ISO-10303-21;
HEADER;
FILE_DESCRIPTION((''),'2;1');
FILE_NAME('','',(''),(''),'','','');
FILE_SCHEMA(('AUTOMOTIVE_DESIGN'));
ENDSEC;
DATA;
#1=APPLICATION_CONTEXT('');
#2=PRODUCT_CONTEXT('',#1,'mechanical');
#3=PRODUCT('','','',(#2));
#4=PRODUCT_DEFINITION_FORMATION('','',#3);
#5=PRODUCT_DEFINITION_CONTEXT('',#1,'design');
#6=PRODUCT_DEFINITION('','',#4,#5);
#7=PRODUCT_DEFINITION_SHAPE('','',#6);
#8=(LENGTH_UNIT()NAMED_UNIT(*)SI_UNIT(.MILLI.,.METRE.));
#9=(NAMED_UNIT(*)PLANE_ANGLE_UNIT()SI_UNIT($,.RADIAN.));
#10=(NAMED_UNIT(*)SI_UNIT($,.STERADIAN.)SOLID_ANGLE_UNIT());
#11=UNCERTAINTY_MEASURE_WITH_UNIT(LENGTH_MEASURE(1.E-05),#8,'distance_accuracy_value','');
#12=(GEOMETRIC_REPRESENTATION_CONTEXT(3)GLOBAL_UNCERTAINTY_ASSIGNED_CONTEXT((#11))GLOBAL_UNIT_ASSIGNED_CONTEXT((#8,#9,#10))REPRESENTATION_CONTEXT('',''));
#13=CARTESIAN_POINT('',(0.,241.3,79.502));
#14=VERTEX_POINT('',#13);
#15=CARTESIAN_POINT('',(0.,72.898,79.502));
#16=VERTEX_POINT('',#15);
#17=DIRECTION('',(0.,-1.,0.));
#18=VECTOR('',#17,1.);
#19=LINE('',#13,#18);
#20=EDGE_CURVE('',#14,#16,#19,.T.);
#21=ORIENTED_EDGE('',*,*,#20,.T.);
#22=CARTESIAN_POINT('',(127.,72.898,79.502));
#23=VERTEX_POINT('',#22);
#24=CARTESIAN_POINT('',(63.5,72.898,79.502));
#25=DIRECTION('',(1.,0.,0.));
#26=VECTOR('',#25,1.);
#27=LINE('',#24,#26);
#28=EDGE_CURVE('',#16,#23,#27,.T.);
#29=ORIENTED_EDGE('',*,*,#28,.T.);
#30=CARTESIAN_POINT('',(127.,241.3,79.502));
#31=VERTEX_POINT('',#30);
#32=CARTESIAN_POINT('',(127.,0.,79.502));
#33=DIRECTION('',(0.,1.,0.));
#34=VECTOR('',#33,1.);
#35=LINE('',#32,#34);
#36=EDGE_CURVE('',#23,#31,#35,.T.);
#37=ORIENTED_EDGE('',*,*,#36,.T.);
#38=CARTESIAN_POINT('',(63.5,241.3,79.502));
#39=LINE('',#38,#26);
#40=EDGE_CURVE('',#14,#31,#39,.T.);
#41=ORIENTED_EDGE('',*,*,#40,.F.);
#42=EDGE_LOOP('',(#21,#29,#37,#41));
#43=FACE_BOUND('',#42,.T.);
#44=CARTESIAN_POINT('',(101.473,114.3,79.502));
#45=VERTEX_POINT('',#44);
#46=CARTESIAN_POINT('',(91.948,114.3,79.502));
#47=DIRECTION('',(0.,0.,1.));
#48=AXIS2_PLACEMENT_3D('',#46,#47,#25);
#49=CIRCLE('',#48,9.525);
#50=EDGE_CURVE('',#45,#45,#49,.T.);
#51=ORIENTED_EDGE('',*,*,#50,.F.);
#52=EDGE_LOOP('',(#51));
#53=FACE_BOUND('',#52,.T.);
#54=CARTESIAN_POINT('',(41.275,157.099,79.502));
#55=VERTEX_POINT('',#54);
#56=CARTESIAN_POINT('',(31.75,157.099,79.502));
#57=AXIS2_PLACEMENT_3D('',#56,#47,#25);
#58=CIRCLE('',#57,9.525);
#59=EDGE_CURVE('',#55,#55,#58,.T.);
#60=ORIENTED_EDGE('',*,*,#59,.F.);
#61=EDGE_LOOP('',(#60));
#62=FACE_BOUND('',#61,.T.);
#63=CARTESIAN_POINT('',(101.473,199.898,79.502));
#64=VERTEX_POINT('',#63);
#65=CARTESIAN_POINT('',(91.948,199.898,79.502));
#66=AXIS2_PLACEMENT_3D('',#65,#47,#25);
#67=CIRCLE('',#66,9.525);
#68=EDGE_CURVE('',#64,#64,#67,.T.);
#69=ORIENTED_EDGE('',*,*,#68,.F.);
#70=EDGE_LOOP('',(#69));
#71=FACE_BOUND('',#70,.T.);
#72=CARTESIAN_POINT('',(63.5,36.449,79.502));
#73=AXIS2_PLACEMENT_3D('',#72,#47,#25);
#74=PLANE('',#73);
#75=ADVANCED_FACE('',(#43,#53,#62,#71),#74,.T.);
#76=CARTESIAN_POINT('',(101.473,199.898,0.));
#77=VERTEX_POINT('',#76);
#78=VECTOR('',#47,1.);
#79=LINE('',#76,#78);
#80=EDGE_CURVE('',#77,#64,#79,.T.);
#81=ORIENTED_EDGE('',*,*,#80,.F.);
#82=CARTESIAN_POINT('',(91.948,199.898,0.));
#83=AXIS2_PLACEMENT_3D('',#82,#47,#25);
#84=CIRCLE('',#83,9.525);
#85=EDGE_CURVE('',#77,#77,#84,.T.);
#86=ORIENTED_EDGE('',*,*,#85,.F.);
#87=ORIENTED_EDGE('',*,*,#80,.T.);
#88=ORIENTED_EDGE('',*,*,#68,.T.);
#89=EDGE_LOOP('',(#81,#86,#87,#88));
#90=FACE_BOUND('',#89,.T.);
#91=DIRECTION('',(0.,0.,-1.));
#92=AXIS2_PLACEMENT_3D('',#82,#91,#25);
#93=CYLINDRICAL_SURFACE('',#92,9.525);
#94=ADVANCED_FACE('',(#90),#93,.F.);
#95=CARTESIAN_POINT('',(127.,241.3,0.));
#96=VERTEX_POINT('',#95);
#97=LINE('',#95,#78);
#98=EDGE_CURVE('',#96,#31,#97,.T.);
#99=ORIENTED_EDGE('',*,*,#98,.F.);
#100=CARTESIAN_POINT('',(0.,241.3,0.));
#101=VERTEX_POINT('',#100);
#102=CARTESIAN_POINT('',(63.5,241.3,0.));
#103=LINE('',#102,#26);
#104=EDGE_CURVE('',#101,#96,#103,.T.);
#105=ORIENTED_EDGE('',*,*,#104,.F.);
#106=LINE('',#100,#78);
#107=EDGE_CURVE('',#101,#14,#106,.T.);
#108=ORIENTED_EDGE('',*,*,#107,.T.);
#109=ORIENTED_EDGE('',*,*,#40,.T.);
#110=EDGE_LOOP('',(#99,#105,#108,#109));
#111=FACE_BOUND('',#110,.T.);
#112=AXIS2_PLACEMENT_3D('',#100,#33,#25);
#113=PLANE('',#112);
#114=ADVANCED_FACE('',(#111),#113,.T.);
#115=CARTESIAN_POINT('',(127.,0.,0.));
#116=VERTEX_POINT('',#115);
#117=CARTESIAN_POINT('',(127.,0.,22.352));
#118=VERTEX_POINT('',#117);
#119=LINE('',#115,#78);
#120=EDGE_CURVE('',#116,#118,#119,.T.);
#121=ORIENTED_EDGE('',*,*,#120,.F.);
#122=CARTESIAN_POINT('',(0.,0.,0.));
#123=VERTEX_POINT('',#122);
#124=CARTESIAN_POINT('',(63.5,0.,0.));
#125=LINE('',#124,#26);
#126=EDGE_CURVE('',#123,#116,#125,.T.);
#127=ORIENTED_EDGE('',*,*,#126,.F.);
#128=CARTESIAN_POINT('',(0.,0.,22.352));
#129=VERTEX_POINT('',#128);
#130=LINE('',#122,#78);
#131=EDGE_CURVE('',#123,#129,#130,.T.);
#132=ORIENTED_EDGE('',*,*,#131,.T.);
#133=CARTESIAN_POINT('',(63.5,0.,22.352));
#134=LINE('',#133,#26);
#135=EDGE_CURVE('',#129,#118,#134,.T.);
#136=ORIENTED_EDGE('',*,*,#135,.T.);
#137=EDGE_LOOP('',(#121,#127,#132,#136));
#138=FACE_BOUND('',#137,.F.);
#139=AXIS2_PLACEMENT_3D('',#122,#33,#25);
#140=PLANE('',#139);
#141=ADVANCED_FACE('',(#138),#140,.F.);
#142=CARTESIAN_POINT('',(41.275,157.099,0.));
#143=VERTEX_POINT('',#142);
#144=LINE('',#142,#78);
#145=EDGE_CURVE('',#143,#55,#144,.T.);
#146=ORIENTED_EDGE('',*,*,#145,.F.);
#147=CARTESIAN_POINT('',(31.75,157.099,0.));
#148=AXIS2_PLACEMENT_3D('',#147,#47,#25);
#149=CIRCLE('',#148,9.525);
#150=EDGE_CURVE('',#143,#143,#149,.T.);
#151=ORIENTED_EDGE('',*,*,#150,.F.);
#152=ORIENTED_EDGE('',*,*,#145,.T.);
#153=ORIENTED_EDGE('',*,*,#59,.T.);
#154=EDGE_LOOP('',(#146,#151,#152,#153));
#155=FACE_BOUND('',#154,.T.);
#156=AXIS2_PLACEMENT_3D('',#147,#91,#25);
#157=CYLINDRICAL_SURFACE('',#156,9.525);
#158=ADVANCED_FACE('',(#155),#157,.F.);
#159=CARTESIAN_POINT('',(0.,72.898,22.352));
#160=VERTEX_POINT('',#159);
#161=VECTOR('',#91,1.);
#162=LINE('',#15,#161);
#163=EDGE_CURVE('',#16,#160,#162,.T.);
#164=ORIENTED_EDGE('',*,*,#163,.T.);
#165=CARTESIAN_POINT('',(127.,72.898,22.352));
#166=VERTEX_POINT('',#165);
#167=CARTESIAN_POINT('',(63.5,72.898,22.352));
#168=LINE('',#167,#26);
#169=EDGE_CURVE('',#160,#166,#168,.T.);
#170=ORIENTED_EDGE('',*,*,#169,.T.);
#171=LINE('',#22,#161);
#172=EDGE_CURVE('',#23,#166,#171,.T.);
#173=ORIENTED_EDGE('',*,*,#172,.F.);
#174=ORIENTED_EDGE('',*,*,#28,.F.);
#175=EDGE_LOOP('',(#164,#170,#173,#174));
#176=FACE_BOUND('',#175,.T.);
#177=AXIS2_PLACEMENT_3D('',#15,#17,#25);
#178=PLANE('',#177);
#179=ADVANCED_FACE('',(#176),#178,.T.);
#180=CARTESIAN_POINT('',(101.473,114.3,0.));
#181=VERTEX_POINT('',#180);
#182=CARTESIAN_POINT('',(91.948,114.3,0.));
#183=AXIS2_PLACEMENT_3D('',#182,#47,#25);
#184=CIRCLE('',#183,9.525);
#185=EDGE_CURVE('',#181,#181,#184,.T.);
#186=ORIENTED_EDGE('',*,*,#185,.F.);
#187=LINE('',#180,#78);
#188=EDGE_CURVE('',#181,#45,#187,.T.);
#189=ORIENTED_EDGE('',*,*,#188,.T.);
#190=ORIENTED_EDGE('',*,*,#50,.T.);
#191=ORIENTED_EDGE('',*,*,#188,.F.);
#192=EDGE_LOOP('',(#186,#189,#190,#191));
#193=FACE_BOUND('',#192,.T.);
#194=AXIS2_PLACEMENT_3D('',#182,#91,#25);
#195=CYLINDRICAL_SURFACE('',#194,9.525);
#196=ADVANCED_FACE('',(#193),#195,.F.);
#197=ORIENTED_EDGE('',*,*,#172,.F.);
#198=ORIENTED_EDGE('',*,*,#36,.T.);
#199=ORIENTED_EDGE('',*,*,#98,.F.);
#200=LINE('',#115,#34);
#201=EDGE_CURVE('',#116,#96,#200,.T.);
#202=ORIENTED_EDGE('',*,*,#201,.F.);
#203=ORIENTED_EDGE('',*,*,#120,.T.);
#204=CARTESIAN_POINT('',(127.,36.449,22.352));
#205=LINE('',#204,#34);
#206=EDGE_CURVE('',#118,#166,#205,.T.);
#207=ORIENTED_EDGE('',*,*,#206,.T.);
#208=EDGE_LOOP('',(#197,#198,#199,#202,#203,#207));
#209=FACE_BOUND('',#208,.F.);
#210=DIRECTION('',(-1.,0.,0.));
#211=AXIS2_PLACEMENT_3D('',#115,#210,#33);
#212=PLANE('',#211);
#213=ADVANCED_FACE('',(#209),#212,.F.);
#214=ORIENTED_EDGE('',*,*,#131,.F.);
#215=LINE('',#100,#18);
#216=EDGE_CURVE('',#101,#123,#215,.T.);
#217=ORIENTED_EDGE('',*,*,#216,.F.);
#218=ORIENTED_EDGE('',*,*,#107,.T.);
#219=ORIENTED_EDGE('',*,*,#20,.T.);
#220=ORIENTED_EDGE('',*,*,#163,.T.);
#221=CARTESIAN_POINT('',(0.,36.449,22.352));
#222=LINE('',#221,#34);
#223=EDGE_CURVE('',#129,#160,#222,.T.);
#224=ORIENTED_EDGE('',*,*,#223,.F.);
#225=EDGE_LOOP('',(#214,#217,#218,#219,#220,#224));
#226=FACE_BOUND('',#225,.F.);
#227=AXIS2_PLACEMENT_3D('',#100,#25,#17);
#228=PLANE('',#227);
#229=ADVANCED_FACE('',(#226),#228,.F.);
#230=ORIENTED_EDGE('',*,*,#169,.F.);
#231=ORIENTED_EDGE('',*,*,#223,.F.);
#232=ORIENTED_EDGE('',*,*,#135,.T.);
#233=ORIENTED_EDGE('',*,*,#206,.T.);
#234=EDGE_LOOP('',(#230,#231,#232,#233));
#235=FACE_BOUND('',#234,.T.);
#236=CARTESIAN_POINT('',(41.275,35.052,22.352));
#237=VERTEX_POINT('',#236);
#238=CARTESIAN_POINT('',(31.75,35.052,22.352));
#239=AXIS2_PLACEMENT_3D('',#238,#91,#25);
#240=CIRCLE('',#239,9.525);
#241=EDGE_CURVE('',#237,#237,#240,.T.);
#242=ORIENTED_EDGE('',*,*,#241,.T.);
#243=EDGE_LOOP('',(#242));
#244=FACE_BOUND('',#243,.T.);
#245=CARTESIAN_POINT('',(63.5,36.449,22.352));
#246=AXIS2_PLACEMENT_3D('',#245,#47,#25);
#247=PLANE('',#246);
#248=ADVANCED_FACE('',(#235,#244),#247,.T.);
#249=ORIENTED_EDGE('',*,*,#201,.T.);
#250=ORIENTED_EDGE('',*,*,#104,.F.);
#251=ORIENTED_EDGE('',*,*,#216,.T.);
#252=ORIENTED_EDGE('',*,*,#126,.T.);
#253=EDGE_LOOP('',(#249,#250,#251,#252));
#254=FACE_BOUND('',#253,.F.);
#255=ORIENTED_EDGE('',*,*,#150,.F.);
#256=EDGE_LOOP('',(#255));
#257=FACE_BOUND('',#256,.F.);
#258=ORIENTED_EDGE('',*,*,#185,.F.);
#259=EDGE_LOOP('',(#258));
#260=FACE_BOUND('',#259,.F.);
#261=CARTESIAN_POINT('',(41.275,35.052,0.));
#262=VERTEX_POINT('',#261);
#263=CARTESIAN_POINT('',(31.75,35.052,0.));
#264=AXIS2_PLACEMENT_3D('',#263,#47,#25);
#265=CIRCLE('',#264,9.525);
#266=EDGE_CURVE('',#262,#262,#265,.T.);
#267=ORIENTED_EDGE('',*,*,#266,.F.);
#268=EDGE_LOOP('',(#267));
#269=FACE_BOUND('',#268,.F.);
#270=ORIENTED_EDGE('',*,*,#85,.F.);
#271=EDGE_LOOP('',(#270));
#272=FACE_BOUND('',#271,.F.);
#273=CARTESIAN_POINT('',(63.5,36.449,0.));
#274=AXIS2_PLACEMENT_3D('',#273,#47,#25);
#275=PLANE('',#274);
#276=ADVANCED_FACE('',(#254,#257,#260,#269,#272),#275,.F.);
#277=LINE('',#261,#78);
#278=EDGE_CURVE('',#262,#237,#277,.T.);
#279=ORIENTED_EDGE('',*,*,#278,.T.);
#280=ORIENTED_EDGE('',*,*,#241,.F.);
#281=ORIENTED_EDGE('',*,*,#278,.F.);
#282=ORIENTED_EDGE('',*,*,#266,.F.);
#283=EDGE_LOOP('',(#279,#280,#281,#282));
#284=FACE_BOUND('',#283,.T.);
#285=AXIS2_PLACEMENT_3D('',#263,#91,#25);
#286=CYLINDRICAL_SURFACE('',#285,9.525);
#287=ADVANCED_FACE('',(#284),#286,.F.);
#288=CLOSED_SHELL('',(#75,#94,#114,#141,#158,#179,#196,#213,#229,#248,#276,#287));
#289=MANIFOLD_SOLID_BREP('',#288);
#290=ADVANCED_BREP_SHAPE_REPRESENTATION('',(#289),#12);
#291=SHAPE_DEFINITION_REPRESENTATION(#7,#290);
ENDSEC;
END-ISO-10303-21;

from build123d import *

# Parameters (mm, degrees)
F0_W     = 127
F0_H     = 72.898
F0_R     = 9.525
F0_H_2   = 168.402
F1_DEPTH = 79.502
F2_W     = 127
F2_H     = 72.898
F3_DEPTH = 57.15


with BuildPart() as f1:
    # F0 (on Top) → F1 (new body)
    with BuildSketch(Plane.XY):
        with Locations((63.5, 36.449)):
            Rectangle(F0_W, F0_H)
        with Locations((31.75, 35.052)):
            Circle(F0_R, mode=Mode.SUBTRACT)
        with Locations((63.5, 157.099)):
            Rectangle(F0_W, F0_H_2)
        with Locations((91.948, 114.3)):
            Circle(F0_R, mode=Mode.SUBTRACT)
        with Locations((31.75, 157.099)):
            Circle(F0_R, mode=Mode.SUBTRACT)
        with Locations((91.948, 199.898)):
            Circle(F0_R, mode=Mode.SUBTRACT)
    extrude(amount=F1_DEPTH)

    # F2 (on face) → F3 (cut)
    with BuildSketch(Plane.XY.offset(79.502)):
        with Locations((63.5, 36.449)):
            Rectangle(F2_W, F2_H)
    extrude(amount=-F3_DEPTH, mode=Mode.SUBTRACT)


solid = f1.part
